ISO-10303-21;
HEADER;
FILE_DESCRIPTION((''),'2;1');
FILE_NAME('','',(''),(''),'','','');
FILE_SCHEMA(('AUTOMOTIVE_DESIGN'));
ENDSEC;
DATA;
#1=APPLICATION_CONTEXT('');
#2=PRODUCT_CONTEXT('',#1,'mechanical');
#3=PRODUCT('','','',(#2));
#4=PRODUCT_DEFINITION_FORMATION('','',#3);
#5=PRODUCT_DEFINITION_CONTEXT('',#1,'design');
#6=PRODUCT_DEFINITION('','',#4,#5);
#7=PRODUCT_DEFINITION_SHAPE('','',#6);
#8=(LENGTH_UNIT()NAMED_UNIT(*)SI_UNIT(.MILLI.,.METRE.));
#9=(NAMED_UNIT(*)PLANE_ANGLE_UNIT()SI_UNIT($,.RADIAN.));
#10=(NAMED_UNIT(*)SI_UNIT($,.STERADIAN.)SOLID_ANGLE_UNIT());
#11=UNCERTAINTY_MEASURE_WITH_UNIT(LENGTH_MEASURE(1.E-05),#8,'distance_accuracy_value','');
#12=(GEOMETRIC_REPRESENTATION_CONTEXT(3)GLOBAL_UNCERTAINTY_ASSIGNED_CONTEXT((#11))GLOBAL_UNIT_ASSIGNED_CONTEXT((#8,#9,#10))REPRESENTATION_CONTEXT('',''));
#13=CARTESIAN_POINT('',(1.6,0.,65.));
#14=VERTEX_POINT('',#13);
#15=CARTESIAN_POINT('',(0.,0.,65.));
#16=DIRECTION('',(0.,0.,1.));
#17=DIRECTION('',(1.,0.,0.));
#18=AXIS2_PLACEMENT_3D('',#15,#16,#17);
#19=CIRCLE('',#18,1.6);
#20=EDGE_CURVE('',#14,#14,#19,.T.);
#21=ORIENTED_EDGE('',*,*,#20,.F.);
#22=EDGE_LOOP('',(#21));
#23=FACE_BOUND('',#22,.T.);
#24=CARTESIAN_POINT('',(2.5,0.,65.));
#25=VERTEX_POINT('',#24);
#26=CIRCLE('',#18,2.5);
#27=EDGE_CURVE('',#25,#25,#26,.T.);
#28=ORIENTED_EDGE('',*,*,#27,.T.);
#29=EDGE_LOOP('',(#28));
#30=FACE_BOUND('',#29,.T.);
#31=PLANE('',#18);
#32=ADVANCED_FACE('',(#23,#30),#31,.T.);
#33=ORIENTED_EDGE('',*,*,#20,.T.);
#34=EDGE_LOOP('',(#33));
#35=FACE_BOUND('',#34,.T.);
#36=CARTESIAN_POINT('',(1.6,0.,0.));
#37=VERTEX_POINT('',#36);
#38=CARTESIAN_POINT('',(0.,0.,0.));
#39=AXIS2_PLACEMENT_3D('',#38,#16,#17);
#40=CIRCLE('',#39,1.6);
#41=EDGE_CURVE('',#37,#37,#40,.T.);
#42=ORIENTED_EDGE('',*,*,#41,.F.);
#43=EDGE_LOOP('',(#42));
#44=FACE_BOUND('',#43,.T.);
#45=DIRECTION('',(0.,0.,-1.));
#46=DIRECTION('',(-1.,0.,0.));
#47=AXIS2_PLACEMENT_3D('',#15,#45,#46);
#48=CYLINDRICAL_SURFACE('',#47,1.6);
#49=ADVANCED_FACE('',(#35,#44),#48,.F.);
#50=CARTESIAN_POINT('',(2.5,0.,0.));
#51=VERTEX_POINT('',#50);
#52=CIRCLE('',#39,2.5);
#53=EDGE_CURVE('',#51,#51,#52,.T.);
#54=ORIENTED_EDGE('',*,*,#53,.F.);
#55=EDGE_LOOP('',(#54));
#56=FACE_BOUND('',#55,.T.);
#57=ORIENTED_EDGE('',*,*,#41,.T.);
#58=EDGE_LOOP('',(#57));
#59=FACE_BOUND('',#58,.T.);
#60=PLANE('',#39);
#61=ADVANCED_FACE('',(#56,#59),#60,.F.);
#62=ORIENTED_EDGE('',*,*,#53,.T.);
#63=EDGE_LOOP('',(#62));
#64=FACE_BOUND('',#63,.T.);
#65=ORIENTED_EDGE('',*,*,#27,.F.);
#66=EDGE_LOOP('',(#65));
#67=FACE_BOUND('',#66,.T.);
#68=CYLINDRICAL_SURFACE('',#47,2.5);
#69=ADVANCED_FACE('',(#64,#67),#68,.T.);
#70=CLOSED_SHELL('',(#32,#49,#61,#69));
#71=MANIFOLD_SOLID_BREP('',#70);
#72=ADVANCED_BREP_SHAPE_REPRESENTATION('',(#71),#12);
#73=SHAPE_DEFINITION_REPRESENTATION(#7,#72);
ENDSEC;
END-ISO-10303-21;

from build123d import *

# Parameters (mm, degrees)
SKETCH1_R           = 2.5
SKETCH1_R_2         = 1.6
BOSS_EXTRUDE2_DEPTH = 65


with BuildPart() as part:
    # Sketch1 → Boss-Extrude2 (new body)
    with BuildSketch(Plane.XY):
        Circle(SKETCH1_R)
        Circle(SKETCH1_R_2, mode=Mode.SUBTRACT)
    extrude(amount=BOSS_EXTRUDE2_DEPTH)


solid = part.part
